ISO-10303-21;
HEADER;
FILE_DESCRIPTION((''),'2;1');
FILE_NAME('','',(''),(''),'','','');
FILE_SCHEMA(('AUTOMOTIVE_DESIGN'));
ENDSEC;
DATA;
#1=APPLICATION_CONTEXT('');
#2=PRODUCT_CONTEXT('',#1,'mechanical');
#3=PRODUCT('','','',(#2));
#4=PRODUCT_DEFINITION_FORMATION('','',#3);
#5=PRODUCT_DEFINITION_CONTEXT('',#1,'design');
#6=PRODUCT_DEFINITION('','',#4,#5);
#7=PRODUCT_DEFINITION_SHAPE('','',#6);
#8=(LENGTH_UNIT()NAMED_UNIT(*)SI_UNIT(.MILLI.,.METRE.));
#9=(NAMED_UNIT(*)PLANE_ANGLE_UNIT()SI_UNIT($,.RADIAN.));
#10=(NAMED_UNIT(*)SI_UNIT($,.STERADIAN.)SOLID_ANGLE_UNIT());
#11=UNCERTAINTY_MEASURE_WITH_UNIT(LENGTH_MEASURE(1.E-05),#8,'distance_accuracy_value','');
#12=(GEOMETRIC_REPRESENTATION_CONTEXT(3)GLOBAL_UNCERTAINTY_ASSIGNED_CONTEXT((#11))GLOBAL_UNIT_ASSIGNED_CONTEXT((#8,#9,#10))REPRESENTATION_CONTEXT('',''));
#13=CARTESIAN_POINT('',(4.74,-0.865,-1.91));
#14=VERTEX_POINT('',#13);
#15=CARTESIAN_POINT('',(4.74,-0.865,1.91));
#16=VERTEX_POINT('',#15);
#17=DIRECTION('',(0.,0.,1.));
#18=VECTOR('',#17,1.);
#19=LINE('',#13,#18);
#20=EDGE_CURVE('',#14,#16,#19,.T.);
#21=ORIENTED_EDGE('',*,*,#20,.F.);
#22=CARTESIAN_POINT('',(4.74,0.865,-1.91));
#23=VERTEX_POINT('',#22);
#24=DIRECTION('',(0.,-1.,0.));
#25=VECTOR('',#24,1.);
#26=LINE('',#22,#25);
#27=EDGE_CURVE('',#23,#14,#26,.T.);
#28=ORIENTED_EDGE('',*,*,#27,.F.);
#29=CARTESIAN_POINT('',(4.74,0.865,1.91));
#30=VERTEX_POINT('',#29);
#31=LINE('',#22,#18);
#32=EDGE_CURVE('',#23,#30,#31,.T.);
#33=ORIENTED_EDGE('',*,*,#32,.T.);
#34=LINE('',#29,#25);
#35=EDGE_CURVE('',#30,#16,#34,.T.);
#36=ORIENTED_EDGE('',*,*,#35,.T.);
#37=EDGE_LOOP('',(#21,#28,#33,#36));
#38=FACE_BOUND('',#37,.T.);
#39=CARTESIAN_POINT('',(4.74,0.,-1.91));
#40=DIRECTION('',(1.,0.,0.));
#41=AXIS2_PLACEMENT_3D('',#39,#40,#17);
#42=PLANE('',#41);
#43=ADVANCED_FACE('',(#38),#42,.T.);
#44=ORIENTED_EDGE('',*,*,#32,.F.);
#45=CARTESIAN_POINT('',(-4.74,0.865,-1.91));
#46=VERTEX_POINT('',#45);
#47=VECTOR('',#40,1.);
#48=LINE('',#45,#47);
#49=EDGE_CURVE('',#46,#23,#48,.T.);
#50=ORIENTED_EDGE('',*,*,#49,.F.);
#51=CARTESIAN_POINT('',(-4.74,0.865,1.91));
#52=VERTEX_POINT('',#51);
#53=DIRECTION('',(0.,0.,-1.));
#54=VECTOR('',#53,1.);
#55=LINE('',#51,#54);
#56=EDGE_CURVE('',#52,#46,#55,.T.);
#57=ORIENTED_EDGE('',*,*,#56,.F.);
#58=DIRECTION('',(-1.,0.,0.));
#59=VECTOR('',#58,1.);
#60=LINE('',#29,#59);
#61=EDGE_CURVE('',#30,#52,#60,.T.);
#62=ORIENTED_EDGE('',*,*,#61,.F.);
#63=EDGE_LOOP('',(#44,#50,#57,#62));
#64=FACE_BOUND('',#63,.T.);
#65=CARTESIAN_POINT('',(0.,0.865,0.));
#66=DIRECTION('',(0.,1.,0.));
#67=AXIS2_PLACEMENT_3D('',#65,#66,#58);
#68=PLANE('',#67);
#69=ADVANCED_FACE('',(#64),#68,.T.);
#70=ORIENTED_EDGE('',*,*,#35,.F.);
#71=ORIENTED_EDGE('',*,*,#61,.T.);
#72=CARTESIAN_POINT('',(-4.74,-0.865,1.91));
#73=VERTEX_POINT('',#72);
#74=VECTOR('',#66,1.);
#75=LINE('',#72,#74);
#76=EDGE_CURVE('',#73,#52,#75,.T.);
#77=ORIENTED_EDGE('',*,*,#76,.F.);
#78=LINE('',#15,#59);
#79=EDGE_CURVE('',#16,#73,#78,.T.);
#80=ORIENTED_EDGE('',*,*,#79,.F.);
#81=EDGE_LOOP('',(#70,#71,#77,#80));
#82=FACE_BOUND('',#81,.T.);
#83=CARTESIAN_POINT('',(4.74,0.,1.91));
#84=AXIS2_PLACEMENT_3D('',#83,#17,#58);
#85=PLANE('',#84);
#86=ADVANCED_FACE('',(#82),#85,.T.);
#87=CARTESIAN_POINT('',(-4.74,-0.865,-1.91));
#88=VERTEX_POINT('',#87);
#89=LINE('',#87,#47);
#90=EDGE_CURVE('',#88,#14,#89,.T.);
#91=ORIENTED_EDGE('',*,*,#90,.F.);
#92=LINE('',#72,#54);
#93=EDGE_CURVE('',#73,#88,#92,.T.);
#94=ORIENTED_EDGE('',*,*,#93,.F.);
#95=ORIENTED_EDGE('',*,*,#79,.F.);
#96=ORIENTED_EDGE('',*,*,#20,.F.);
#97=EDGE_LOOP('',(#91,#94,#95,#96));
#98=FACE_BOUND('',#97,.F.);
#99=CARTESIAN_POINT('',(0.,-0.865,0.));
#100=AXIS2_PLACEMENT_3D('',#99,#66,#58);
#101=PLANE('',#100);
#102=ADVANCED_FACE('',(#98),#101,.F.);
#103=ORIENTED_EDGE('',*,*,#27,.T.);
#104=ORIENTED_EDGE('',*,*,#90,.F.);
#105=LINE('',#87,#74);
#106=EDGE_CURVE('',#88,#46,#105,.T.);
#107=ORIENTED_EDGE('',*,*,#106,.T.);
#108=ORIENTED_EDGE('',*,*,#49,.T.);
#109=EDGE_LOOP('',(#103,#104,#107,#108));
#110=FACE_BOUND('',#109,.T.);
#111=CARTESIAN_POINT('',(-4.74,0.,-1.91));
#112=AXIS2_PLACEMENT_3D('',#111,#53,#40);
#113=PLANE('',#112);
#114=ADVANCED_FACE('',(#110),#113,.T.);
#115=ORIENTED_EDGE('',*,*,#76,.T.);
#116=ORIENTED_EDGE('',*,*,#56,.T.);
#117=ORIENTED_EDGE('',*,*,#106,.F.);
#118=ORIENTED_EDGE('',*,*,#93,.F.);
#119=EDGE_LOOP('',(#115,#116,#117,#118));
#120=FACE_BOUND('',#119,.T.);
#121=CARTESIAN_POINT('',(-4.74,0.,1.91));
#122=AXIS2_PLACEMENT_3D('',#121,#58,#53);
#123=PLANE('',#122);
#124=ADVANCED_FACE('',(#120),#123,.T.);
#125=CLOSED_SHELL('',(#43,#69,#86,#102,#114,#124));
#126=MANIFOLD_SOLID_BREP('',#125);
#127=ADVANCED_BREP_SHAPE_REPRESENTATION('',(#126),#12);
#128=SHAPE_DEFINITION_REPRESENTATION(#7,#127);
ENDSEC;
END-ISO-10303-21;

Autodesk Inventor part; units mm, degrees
ref_plane "YZ Plane" through (0, 0, 0) normal (1, 0, 0) x (0, 1, 0)
ref_plane "XZ Plane" through (0, 0, 0) normal (0, 1, 0) x (-1, 0, 0)
ref_plane "XY Plane" through (0, 0, 0) normal (0, 0, 1) x (1, 0, 0)
sketch "Эскиз1" plane through (0, 0, 0) normal (0, 1, 0) x (-1, 0, 0)
  line L0 (4.74, -1.91) -> (-4.74, -1.91)
  line L1 (-4.74, -1.91) -> (-4.74, 1.91)
  line L2 (-4.74, 1.91) -> (4.74, 1.91)
  line L3 (4.74, 1.91) -> (4.74, -1.91)
  line L4 (4.74, -1.91) -> (-4.74, 1.91) construction
  line L5 (-4.74, -1.91) -> (4.74, 1.91) construction
  point P0 (0, 0)
  dimension "d0" = 9.48
  dimension "d1" = 3.82
extrude "Выдавливание1" add sketch "Эскиз1" along normal mid plane 1.73
properties part number "magnet 3.8x9.5"
